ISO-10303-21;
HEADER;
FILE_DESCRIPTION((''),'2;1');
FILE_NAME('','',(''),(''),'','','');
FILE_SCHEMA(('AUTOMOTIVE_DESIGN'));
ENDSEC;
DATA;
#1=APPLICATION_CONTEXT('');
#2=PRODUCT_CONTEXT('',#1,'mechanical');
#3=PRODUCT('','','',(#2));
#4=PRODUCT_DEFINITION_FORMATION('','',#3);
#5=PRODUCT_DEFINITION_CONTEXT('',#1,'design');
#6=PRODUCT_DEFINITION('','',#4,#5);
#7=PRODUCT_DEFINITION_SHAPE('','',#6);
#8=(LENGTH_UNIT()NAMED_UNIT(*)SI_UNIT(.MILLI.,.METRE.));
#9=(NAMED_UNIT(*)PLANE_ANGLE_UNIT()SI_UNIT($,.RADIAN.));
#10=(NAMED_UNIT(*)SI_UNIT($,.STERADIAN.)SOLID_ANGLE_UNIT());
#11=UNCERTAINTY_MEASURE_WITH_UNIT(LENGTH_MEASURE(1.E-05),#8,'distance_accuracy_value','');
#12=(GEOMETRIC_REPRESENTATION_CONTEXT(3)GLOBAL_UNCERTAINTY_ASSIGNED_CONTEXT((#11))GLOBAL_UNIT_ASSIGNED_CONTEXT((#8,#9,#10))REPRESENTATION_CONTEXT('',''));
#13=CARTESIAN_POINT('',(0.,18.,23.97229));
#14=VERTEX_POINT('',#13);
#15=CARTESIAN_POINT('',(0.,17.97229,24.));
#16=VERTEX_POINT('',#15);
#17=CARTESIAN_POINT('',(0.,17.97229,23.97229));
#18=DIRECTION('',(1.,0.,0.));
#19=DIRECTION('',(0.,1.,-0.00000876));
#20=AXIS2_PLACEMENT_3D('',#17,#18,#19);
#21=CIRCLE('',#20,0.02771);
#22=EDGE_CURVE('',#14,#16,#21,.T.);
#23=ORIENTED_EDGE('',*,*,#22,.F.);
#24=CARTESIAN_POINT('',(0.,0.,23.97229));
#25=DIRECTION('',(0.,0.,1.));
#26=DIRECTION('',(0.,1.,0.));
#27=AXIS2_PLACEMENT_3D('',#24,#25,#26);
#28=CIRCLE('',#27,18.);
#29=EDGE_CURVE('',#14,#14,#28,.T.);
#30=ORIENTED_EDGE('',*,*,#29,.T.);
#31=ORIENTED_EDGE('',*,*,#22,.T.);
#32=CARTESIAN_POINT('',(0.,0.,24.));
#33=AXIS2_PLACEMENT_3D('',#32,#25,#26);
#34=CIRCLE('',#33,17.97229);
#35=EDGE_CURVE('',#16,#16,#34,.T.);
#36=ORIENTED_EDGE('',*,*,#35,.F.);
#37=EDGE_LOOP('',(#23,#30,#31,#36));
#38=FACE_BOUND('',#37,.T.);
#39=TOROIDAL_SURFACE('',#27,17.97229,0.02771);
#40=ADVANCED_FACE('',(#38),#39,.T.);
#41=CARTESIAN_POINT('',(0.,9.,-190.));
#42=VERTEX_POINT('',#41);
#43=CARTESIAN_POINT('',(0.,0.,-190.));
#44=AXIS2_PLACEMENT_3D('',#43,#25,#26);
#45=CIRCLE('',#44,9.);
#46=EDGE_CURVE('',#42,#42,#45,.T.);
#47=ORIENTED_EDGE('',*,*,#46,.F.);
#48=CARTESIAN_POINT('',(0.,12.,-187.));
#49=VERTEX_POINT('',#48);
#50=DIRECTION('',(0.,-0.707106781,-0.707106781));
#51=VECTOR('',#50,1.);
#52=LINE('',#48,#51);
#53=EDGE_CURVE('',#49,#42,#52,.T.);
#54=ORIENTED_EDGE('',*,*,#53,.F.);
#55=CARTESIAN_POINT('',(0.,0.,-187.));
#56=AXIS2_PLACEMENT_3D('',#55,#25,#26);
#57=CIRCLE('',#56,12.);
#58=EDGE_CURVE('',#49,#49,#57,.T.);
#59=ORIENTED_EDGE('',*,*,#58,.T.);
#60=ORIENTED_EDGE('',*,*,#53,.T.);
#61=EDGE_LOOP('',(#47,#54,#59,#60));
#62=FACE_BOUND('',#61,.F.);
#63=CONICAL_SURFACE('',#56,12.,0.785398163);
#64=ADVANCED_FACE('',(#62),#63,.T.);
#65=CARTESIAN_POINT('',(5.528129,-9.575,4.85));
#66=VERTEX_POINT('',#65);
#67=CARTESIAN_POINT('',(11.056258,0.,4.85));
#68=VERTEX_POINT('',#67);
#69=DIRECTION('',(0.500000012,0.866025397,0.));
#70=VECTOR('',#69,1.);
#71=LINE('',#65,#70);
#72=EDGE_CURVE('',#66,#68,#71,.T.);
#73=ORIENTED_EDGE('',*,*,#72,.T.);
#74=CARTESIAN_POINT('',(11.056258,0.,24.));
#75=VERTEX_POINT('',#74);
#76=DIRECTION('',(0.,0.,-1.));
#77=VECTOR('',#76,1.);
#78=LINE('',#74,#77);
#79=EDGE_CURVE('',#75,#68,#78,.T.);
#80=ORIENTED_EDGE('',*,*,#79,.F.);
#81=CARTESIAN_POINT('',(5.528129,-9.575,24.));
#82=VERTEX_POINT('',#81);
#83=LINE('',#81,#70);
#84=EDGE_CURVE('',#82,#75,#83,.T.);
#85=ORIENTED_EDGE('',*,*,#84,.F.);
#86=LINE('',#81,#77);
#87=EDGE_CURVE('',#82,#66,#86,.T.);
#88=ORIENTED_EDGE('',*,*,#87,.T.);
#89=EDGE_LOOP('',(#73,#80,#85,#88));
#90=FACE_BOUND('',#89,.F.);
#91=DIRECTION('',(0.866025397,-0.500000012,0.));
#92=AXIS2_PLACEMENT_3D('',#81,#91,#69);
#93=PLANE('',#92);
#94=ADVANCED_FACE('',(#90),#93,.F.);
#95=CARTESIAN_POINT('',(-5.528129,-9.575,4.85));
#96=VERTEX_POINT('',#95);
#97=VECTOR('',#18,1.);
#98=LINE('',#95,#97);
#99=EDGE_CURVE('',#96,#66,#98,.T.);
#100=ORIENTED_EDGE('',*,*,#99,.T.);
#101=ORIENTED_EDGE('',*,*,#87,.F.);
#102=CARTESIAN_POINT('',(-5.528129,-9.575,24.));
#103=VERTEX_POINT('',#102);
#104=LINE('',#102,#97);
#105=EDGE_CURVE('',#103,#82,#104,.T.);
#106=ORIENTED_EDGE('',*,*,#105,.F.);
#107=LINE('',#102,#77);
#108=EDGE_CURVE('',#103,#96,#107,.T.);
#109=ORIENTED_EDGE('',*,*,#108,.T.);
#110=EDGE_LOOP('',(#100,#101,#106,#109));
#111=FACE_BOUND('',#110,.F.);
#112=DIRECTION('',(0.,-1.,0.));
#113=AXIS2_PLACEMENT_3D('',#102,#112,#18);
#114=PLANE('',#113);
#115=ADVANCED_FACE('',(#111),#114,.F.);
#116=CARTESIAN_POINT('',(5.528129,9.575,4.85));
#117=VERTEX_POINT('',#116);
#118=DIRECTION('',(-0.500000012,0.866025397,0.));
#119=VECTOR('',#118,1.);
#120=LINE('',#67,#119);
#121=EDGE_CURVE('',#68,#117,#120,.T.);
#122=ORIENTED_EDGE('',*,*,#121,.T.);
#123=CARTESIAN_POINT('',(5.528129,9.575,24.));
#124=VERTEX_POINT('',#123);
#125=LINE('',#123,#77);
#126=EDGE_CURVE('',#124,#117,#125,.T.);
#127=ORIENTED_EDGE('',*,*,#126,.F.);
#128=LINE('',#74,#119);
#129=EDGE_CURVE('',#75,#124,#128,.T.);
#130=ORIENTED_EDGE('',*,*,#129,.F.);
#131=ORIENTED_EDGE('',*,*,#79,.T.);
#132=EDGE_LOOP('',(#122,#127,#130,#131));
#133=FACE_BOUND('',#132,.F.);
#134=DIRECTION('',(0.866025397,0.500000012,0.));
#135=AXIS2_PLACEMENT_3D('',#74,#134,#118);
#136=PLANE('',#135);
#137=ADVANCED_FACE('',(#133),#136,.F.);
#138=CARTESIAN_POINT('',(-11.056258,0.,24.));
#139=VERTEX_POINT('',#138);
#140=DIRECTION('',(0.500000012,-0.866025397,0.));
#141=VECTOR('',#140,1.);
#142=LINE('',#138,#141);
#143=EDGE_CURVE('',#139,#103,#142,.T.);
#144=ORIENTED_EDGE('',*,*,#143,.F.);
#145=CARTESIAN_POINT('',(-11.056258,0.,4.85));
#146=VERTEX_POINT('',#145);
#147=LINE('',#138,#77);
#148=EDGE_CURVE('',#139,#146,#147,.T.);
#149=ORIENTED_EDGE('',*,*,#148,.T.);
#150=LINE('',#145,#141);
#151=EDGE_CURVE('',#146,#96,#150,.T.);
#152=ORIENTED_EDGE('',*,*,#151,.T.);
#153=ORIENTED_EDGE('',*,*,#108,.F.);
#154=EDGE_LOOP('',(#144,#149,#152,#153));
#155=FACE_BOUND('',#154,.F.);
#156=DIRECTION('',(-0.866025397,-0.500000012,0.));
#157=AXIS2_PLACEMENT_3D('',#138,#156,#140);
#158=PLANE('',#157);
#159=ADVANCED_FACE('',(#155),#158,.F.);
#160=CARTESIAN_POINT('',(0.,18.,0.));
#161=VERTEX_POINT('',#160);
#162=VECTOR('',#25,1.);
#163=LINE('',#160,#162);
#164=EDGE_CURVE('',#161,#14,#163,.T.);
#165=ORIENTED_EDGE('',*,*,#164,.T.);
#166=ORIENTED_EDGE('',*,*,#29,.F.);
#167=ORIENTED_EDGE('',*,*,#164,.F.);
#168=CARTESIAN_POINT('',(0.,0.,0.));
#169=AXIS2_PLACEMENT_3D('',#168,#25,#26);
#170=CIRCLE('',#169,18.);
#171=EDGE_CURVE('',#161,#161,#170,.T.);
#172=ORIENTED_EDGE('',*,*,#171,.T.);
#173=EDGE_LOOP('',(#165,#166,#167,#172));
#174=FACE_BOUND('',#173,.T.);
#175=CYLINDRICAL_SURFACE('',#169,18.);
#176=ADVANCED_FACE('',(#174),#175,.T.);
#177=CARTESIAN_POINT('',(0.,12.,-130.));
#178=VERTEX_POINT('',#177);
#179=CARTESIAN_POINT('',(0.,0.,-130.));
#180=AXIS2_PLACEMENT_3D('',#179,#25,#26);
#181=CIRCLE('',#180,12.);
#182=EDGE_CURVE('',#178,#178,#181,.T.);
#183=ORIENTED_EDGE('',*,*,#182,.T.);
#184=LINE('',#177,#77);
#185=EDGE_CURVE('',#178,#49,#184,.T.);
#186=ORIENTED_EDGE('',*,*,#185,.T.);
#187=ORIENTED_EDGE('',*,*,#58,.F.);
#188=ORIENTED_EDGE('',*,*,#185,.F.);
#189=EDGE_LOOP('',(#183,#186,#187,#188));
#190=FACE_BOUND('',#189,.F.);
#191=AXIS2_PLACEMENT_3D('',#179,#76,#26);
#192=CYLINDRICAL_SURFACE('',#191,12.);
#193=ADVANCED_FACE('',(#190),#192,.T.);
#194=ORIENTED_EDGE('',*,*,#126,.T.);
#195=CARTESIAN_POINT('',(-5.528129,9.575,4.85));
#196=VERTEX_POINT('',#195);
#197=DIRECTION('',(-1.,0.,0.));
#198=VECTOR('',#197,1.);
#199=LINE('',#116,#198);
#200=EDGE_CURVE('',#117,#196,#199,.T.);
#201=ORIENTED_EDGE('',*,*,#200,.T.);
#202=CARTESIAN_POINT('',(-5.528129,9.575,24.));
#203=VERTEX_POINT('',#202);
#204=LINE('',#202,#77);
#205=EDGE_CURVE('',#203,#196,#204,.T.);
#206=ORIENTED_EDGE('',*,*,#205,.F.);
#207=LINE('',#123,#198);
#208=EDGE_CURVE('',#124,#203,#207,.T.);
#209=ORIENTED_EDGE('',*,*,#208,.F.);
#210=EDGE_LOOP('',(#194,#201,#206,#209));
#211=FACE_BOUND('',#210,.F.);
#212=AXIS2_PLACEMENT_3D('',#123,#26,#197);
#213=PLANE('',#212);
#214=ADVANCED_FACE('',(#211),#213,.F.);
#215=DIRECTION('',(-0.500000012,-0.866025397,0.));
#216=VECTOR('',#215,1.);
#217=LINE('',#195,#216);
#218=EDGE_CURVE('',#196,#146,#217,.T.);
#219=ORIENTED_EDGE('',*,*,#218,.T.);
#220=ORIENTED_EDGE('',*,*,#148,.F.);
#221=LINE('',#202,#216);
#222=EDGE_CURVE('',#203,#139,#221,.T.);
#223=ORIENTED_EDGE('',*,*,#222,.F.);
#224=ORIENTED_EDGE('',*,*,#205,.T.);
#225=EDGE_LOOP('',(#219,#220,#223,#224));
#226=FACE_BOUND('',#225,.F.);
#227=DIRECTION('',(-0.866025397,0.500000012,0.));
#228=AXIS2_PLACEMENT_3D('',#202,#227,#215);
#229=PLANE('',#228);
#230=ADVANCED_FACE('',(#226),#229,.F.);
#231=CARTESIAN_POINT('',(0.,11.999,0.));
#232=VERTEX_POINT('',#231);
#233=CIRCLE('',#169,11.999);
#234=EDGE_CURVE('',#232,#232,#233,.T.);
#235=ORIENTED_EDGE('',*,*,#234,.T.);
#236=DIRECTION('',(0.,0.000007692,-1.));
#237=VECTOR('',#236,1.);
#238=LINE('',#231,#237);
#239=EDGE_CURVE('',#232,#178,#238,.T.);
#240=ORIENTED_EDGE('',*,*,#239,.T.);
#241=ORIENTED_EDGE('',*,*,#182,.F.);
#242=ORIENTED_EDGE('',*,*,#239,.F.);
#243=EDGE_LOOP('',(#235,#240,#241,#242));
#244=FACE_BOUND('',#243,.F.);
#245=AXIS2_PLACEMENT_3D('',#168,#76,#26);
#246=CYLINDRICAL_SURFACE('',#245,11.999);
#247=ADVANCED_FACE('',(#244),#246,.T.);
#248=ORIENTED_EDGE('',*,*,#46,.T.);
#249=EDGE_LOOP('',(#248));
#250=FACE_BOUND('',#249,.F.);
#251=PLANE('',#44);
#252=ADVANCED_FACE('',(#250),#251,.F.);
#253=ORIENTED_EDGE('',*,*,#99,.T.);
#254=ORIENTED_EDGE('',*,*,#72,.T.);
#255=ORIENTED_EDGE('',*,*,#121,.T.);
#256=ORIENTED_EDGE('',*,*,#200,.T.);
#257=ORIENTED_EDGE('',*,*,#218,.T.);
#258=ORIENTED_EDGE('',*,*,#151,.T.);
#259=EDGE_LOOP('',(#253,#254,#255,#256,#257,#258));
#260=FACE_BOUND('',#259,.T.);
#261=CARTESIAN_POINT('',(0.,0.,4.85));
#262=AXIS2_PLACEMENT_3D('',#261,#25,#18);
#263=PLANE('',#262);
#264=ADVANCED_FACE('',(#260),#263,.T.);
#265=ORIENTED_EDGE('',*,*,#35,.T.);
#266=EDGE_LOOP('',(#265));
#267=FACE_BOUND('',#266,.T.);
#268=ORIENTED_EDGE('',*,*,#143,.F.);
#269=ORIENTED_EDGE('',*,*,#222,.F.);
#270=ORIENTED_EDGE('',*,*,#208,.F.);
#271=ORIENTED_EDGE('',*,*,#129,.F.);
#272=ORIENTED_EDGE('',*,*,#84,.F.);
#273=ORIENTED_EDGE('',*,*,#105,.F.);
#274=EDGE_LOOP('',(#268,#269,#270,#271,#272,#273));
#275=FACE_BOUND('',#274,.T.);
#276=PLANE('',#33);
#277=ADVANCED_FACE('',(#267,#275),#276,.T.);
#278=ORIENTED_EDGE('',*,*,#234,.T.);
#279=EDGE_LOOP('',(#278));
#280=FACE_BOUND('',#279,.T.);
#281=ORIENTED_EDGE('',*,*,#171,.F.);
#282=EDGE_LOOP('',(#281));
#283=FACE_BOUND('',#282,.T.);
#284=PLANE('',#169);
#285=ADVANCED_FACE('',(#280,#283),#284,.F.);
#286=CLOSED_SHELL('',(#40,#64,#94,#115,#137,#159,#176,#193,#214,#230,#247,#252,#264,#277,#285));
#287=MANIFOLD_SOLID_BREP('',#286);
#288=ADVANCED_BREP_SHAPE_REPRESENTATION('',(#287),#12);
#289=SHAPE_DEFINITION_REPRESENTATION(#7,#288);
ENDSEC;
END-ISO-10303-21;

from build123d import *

# Parameters (mm, degrees)
POCKET_DEPTH = 19.15


with BuildPart() as part:
    # Sketch → Revolve (revolve)
    with BuildSketch(Plane.YZ):
        with BuildLine():
            Line((11.999, 0), (18, 0))
            Line((18, 0), (18, 23.97229))
            ThreePointArc((18, 23.97229), (17.991884, 23.991884), (17.97229, 24))
            Line((17.97229, 24), (0, 24))
            Line((0, -190), (0, 24))
            Line((9, -190), (0, -190))
            Line((12, -187), (9, -190))
            Line((12, -130), (12, -187))
            Line((11.999, 0), (12, -130))
        make_face()
    revolve(axis=Axis((0, 0, 0), (0, 0, 1)))

    # Sketch001 → Pocket (cut)
    with BuildSketch(Plane.XY.offset(24)):
        Polygon((11.056258, 0), (5.528129, 9.575), (-5.528129, 9.575), (-11.056258, 0), (-5.528129, -9.575), (5.528129, -9.575), align=None)
    extrude(amount=-POCKET_DEPTH, mode=Mode.SUBTRACT)


solid = part.part
